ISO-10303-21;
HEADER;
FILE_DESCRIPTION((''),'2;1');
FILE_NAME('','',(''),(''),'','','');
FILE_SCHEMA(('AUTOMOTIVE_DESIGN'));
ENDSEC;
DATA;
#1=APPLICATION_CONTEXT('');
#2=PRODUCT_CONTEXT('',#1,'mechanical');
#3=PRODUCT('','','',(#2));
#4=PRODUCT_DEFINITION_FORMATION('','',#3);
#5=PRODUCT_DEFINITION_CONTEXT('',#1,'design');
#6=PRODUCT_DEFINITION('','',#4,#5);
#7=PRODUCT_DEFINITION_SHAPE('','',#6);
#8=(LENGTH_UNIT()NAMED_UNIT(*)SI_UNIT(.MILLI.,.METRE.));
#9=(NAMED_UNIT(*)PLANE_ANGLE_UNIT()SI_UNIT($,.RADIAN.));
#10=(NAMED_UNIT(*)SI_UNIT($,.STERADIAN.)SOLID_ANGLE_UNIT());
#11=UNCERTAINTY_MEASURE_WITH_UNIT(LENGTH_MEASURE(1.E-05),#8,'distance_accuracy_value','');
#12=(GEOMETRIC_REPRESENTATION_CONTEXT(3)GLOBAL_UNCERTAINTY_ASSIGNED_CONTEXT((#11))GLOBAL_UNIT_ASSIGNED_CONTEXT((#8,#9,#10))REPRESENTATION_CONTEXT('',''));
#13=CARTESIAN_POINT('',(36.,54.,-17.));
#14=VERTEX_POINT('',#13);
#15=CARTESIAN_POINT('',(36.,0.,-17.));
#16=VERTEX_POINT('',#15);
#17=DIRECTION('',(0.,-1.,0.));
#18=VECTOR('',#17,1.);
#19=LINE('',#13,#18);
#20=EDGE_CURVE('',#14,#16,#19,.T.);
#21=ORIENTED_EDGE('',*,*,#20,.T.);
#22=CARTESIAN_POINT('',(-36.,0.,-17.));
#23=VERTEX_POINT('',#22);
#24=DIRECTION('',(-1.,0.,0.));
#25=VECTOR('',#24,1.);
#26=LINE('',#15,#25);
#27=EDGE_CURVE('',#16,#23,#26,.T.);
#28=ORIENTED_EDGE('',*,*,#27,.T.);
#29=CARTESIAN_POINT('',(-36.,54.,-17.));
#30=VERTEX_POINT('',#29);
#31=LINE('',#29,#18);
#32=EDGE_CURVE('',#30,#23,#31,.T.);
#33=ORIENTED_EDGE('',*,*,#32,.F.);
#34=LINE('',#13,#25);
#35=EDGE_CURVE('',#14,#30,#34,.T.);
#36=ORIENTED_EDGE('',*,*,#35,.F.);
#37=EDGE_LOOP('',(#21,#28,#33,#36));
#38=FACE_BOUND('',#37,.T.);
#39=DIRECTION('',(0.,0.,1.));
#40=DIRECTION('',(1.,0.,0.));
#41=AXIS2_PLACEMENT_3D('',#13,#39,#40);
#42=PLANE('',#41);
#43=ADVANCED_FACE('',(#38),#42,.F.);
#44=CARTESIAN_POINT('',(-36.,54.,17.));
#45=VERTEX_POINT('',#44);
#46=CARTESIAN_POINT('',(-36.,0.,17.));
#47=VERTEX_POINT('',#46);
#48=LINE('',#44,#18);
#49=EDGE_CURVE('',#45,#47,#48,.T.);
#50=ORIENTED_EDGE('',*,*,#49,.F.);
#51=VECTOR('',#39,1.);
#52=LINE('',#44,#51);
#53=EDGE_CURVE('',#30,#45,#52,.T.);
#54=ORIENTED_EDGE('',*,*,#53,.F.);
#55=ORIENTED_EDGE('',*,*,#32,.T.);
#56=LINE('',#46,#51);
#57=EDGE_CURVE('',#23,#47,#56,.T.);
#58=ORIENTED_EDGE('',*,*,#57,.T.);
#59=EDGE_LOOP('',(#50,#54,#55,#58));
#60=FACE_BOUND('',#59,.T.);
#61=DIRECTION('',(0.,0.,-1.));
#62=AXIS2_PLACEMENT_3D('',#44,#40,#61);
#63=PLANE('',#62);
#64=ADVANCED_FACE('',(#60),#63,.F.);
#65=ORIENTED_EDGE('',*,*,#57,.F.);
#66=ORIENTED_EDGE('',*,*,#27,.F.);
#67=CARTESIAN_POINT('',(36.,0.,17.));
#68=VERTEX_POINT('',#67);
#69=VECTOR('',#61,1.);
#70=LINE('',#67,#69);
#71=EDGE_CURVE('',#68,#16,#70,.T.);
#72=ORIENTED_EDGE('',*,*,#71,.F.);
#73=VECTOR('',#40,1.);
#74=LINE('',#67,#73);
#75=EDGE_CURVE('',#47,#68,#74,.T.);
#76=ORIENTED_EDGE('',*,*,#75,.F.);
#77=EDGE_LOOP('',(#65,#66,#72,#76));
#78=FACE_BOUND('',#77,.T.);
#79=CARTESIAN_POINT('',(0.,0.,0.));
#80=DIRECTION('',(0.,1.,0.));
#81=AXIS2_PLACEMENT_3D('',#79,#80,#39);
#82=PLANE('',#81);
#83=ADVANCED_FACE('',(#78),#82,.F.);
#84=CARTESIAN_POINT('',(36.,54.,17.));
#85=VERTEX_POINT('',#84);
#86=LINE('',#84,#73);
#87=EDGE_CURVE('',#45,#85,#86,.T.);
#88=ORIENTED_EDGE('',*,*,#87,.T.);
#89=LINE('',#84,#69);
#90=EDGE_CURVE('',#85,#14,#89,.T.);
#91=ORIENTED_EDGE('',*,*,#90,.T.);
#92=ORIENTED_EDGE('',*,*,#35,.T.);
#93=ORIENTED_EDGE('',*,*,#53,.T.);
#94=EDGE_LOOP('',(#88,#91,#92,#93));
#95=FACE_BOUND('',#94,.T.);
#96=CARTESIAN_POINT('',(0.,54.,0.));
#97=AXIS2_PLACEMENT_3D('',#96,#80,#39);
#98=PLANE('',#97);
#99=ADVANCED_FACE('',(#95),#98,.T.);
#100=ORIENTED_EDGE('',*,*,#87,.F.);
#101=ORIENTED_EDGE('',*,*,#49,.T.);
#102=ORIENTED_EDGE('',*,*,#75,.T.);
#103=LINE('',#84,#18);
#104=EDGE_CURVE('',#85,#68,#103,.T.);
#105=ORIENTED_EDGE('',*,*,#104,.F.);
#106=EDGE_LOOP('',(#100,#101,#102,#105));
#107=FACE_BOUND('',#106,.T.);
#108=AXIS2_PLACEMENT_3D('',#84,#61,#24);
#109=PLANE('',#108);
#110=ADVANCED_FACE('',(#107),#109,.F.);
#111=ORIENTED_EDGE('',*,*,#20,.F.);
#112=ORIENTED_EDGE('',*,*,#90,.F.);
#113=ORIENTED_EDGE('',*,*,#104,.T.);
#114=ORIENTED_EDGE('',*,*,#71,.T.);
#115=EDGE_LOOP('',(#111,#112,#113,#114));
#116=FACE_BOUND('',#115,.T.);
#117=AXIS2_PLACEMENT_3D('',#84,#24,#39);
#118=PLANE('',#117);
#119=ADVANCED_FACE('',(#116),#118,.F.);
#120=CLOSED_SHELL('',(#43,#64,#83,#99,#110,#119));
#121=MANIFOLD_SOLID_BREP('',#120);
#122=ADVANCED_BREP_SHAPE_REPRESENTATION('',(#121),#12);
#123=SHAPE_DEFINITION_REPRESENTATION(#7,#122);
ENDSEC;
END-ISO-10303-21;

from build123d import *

# Parameters (mm, degrees)
SKETCH_1_W      = 72
SKETCH_1_H      = 34
EXTRUDE_1_DEPTH = 54


with BuildPart() as part:
    # 草图1 → 凸台-拉伸1 (new body)
    with BuildSketch(Plane(origin=(0, 0, 0), x_dir=(1, 0, 0), z_dir=(0, 1, 0))):
        Rectangle(SKETCH_1_W, SKETCH_1_H)
    extrude(amount=EXTRUDE_1_DEPTH)


solid = part.part
